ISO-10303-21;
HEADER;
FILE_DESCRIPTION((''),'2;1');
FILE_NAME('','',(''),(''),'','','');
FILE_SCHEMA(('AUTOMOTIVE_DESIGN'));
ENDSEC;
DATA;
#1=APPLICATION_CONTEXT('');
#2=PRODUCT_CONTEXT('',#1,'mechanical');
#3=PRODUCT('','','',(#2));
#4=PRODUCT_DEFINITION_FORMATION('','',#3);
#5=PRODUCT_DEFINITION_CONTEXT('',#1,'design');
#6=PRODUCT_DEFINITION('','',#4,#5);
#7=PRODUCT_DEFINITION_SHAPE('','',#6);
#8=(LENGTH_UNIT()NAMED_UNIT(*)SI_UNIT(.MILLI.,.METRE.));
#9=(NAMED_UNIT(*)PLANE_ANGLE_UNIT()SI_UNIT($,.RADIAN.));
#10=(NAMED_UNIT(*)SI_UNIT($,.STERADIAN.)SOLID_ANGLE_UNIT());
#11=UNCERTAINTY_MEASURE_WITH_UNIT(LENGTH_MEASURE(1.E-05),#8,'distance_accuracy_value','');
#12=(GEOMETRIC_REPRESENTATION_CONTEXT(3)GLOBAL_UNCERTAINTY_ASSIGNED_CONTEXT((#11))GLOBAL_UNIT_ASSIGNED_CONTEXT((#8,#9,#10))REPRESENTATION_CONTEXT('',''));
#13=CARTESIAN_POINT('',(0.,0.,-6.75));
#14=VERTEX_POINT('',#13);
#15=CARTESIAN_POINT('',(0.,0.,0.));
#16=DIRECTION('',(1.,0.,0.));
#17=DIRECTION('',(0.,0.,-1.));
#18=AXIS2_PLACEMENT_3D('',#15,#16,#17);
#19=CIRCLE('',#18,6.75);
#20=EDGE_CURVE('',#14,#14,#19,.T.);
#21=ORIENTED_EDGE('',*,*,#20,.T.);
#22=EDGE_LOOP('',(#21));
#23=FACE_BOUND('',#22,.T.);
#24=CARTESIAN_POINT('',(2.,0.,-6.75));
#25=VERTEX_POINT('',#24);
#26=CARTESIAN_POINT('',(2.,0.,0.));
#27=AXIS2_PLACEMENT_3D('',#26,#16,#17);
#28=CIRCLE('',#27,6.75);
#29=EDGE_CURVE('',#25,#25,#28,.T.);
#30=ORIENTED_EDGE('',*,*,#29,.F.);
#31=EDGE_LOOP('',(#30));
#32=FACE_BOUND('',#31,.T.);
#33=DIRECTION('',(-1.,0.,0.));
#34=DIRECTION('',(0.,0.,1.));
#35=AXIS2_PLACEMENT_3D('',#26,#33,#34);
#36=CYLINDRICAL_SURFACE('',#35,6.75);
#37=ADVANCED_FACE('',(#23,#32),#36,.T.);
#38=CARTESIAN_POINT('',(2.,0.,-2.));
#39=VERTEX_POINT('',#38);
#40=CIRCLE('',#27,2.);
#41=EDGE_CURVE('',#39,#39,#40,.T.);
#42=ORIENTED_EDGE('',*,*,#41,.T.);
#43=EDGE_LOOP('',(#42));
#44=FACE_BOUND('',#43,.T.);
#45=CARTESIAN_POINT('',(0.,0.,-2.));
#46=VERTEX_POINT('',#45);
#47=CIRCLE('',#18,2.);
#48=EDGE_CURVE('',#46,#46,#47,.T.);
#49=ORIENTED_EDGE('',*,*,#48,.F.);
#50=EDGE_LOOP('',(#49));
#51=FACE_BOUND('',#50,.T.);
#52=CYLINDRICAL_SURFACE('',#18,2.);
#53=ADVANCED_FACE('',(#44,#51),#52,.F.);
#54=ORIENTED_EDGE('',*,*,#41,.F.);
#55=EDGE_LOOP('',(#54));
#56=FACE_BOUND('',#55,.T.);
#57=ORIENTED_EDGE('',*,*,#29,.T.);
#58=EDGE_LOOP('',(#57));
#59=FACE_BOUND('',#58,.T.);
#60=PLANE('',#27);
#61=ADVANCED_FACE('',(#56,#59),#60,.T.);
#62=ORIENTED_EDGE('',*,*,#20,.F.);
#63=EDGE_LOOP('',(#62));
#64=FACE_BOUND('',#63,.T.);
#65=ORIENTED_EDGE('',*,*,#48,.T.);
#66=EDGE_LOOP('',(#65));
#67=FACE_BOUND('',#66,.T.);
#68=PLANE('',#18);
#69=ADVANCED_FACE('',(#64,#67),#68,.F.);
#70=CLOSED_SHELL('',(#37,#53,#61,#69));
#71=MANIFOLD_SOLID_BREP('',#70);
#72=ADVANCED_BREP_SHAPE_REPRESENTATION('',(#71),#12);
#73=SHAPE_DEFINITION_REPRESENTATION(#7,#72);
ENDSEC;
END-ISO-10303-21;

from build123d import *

# Parameters (mm, degrees)
SKETCH1_R           = 6.75
BOSS_EXTRUDE1_DEPTH = 2
SKETCH2_R           = 2
CUT_EXTRUDE1_DEPTH  = 3


with BuildPart() as part:
    # Sketch1 → Boss-Extrude1 (new body)
    with BuildSketch(Plane(origin=(0, 0, 0), x_dir=(0, 0, -1), z_dir=(1, 0, 0))):
        Circle(SKETCH1_R)
    extrude(amount=BOSS_EXTRUDE1_DEPTH)

    # Sketch2 → Cut-Extrude1 (cut, through all)
    with BuildSketch(Plane(origin=(2, 0, 0), x_dir=(0, 0, -1), z_dir=(1, 0, 0))):
        Circle(SKETCH2_R)
    extrude(amount=-CUT_EXTRUDE1_DEPTH, mode=Mode.SUBTRACT)


solid = part.part
